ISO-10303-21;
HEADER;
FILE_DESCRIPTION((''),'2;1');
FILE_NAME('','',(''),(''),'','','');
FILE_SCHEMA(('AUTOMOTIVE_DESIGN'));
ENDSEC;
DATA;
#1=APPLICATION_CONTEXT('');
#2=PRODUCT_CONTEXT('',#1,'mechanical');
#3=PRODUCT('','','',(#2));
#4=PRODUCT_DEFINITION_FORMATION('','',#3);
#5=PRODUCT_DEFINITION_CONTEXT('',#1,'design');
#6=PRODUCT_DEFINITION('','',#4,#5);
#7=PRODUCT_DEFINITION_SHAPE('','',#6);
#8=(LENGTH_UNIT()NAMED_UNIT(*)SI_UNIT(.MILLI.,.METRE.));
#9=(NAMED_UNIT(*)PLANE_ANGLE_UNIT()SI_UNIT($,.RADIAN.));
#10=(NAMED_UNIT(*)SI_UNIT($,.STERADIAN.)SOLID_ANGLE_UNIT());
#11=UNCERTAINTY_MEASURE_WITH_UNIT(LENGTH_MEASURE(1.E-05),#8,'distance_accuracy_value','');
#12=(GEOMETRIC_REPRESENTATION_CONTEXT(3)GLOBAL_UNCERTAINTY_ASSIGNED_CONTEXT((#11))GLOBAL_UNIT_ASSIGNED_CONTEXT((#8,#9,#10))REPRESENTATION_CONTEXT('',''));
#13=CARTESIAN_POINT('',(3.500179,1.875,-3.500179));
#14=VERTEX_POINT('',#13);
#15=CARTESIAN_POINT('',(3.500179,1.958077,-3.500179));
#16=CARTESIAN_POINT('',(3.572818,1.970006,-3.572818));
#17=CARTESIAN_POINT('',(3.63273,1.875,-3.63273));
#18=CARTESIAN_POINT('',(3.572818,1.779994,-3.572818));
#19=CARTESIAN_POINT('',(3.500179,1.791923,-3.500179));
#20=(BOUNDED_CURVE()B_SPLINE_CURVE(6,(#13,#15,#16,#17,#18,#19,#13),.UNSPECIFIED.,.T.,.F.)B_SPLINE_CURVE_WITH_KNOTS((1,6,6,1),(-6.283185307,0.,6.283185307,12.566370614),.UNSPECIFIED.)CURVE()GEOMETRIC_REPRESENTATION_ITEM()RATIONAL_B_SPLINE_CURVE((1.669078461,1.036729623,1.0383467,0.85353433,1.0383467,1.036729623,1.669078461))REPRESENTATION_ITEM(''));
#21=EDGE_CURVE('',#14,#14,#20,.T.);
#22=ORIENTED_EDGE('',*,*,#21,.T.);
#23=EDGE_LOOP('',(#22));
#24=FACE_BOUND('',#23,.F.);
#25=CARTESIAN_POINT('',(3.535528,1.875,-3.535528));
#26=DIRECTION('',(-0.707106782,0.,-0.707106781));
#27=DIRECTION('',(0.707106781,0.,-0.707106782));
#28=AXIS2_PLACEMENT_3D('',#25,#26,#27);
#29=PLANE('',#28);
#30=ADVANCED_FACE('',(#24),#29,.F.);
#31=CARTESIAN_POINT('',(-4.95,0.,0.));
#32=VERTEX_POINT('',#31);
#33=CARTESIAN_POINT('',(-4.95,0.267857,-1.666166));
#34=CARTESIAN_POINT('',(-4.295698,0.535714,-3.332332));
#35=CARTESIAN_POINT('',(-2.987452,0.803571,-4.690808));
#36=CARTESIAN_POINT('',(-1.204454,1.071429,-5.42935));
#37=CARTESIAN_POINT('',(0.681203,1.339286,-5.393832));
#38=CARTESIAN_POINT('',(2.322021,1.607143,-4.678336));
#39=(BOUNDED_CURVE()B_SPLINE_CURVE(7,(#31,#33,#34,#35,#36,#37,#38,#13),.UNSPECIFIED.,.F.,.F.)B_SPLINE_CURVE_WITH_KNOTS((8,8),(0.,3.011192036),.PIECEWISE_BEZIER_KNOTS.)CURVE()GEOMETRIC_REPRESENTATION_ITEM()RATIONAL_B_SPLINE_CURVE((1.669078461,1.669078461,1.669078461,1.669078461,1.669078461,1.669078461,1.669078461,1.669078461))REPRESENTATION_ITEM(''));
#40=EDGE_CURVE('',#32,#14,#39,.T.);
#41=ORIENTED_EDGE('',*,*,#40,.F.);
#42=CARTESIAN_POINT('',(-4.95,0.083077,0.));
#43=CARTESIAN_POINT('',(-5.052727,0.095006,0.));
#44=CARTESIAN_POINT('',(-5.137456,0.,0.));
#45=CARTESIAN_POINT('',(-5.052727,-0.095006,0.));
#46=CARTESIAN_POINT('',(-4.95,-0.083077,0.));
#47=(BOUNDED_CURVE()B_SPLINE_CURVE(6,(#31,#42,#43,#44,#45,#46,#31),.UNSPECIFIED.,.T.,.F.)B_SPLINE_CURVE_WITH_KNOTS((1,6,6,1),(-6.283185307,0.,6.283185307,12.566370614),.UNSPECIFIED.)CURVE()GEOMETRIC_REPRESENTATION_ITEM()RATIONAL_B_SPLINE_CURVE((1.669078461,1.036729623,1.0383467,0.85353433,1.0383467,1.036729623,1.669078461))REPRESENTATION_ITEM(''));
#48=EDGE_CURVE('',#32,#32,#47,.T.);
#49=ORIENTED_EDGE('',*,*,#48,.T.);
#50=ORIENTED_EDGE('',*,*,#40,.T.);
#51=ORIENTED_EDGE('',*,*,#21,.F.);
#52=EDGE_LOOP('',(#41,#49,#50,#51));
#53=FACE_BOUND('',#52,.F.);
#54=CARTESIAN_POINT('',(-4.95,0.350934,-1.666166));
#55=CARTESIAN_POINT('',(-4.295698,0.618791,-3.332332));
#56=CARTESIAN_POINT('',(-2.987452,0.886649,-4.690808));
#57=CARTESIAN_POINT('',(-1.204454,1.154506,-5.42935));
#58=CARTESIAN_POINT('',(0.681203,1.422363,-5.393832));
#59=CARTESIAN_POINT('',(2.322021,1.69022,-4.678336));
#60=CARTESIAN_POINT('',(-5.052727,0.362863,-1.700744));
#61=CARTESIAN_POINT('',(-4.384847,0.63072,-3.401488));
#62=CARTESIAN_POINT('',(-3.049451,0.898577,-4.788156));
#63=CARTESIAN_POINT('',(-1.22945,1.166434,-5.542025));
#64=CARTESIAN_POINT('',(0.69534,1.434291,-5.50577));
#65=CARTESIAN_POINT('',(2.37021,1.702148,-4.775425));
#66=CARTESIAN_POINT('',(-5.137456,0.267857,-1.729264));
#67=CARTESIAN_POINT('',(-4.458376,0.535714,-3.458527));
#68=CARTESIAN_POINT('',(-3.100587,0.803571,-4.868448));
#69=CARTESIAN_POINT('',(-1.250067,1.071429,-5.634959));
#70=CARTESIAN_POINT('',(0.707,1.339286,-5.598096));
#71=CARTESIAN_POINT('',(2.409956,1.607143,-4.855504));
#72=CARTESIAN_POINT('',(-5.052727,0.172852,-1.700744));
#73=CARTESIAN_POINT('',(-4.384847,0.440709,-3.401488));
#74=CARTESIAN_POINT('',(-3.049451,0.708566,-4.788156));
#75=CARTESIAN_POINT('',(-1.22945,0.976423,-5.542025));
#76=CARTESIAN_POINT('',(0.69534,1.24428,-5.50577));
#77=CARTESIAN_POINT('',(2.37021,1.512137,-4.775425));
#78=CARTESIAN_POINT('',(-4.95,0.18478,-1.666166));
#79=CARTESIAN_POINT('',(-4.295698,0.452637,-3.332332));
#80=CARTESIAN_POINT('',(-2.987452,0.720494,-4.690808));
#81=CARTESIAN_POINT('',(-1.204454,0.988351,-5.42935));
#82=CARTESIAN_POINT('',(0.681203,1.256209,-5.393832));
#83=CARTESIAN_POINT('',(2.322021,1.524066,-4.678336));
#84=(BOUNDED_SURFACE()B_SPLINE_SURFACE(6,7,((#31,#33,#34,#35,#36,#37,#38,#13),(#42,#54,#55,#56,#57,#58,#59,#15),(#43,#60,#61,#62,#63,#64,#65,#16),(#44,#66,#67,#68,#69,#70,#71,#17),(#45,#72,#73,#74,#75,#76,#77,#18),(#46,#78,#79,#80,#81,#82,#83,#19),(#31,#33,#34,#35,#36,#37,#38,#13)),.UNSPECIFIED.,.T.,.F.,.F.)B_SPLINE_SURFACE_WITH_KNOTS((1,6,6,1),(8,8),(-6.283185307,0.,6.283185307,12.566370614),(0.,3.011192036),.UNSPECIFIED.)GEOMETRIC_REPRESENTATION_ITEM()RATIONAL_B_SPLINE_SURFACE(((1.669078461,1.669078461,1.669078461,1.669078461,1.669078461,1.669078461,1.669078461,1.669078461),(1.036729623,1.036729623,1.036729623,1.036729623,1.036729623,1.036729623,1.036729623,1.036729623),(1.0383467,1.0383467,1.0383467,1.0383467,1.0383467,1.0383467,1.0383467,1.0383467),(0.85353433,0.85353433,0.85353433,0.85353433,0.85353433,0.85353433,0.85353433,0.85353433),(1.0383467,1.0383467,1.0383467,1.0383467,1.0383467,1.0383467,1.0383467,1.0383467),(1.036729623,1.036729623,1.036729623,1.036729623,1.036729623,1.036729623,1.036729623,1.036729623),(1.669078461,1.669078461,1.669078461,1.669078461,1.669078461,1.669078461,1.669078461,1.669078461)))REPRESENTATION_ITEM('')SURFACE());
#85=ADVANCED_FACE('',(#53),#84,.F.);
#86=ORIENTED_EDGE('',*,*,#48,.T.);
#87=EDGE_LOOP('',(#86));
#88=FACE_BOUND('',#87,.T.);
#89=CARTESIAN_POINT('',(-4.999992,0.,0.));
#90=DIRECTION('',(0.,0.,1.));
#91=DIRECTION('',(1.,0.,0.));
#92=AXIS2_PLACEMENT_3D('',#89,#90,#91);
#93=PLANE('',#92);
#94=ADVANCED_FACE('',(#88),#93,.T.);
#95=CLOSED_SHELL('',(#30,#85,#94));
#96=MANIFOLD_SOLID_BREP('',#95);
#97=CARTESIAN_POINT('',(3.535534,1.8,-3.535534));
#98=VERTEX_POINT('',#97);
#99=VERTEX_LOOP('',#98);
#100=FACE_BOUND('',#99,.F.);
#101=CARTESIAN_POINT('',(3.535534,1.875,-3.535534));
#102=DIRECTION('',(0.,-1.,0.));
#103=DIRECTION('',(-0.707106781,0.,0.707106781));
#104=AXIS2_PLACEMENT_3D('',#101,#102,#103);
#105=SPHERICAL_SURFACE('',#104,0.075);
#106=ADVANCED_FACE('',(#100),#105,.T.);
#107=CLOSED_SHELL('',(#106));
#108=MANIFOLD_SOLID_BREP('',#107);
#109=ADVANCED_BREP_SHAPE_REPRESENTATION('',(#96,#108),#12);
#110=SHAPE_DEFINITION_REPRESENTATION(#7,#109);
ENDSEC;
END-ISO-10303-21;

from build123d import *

# Parameters (mm, degrees)
SWEEP1_PITCH       = 5
SWEEP1_HEIGHT      = 1.875
SWEEP1_RADIUS      = 5
SWEEP1_START_ANGLE = -90
SKETCH4_R          = 0.05


with BuildPart() as part:
    # Sweep1: sweep along a helix
    with BuildLine() as sweep1_path:
        add(Helix(SWEEP1_PITCH, SWEEP1_HEIGHT, SWEEP1_RADIUS, center=(0, 0, 0), direction=(0, 1, 0), lefthand=True, mode=Mode.PRIVATE).rotate(Axis((0, 0, 0), (0, 1, 0)), SWEEP1_START_ANGLE))
    # Sketch4 → Sweep1 (sweep)
    with BuildSketch(Plane.XY):
        with Locations((-5, 0)):
            Circle(SKETCH4_R)
    sweep(path=sweep1_path.line, is_frenet=True)


with BuildPart() as body_2:
    # Sketch6 → Revolve4 (revolve)
    with BuildSketch(Plane(origin=(0, 0, 0), x_dir=(0.707106781, 0, -0.707106781), z_dir=(0.707106781, 0, 0.707106781))):
        with BuildLine():
            Line((5, 1.8), (5, 1.95))
            ThreePointArc((5, 1.95), (4.925, 1.875), (5, 1.8))
        make_face()
    revolve(axis=Axis((3.535533906, -998.125, -3.535533906), (0, 1, 0)))


solid = Compound([part.part, body_2.part])
